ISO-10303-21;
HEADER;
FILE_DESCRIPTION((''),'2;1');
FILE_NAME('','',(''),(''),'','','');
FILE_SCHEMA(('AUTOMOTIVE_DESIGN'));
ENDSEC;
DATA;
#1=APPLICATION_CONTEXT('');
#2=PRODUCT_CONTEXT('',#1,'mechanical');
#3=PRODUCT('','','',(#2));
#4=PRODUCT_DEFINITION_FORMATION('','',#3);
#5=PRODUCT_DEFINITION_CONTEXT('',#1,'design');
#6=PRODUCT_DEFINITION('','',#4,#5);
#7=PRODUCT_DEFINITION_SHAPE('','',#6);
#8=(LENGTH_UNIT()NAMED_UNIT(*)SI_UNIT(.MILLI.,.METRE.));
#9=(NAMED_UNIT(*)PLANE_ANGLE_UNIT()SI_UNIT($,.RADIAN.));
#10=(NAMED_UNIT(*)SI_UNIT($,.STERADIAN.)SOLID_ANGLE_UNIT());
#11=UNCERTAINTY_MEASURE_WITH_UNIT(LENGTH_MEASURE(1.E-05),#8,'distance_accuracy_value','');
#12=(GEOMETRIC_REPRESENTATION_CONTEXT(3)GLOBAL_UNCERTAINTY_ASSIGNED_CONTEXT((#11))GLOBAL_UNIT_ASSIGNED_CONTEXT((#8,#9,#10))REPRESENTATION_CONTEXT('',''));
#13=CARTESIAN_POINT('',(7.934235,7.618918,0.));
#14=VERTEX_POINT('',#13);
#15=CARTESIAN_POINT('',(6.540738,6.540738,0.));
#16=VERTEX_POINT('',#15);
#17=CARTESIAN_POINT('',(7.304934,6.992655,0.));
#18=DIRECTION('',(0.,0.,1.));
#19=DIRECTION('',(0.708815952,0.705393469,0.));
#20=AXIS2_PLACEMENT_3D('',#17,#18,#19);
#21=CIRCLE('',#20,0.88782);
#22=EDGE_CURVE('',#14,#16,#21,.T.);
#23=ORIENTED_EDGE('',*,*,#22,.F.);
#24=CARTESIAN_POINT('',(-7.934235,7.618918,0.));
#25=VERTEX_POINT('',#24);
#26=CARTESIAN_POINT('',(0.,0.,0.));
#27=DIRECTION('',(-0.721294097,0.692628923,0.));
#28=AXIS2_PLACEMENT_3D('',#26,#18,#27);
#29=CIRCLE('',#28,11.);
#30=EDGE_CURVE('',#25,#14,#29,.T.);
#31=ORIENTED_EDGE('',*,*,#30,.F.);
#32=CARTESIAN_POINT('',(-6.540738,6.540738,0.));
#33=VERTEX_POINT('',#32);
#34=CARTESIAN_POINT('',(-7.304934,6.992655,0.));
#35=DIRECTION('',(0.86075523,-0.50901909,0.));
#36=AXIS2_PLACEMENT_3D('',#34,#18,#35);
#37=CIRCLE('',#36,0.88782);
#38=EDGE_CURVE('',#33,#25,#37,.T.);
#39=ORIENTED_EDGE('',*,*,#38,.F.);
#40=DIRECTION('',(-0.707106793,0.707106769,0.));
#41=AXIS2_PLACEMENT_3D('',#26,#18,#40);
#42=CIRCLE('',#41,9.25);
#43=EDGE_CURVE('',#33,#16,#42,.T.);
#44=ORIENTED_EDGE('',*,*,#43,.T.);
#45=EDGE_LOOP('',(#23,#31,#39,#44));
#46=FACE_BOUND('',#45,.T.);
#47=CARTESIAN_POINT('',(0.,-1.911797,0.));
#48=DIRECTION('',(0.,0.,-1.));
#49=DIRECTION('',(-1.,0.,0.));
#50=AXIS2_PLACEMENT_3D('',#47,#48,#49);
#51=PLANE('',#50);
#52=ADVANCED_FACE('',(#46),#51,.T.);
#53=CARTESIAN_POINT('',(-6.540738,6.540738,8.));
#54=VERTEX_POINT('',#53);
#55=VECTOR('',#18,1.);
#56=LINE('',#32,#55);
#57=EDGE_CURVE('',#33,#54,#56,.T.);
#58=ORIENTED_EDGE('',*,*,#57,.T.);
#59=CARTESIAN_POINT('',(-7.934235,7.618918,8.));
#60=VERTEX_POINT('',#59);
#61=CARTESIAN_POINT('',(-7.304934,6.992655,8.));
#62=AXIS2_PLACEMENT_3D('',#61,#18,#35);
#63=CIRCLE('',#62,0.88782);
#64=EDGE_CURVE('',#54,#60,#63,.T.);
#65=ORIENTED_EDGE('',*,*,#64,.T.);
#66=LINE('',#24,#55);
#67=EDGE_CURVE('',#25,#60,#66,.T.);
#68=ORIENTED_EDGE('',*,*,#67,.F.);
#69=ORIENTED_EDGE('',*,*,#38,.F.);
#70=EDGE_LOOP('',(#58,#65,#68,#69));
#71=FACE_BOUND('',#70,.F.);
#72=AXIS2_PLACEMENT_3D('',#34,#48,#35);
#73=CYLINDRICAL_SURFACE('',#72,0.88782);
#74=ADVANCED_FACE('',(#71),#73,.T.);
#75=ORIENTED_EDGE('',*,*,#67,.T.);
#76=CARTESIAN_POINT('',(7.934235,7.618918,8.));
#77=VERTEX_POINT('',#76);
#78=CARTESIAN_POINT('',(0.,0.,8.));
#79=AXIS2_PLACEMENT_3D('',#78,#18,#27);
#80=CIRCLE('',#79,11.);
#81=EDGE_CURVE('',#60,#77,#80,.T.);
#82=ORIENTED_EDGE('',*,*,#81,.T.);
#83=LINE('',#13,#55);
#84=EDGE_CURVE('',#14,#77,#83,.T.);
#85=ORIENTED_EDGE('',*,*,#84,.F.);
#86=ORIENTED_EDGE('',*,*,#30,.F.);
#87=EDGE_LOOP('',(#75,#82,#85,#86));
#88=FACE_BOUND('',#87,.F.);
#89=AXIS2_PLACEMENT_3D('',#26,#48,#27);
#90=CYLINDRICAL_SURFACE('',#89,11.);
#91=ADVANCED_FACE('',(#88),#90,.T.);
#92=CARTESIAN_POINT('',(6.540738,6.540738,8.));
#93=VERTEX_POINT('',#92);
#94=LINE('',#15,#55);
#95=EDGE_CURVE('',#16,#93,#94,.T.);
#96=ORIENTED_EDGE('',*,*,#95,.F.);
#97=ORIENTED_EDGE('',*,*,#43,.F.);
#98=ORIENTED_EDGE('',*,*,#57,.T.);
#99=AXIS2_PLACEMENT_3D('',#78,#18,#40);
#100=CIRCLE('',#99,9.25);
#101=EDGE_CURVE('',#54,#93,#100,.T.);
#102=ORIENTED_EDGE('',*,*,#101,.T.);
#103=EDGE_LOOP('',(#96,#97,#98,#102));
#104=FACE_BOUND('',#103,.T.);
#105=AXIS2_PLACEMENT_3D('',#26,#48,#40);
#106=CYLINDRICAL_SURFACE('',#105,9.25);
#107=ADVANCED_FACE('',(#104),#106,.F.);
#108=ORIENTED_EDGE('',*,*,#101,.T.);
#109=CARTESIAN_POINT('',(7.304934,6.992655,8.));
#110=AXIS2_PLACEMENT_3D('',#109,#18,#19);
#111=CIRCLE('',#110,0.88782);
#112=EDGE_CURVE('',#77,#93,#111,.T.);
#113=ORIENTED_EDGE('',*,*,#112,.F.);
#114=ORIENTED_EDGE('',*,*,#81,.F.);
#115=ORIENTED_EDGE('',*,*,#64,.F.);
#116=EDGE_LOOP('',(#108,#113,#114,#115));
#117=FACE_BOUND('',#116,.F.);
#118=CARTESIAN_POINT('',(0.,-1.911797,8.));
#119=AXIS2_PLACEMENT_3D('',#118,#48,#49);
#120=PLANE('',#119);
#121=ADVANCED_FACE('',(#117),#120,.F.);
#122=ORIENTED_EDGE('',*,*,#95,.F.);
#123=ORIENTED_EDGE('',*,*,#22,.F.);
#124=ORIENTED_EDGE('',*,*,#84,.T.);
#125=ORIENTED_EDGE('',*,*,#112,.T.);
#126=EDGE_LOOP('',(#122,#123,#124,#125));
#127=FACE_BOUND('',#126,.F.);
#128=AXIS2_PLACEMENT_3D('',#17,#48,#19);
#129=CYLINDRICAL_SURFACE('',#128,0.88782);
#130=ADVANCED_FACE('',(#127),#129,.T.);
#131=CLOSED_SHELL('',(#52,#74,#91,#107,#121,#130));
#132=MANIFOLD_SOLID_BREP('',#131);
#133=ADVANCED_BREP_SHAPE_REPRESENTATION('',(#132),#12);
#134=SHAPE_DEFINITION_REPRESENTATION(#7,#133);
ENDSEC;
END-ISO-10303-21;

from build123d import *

# Parameters (mm, degrees)
PAD_DEPTH = 8


with BuildPart() as part:
    # Sketch → Pad (new body)
    with BuildSketch(Plane.XY):
        with BuildLine():
            ThreePointArc((-6.540738, 6.540738), (0, -9.25), (6.540738, 6.540738))
            ThreePointArc((7.934235, 7.618918), (6.761641, 7.694836), (6.540738, 6.540738))
            ThreePointArc((-7.934235, 7.618918), (0, -11), (7.934235, 7.618918))
            ThreePointArc((-6.540738, 6.540738), (-6.761641, 7.694836), (-7.934235, 7.618918))
        make_face()
    extrude(amount=PAD_DEPTH)


solid = part.part
